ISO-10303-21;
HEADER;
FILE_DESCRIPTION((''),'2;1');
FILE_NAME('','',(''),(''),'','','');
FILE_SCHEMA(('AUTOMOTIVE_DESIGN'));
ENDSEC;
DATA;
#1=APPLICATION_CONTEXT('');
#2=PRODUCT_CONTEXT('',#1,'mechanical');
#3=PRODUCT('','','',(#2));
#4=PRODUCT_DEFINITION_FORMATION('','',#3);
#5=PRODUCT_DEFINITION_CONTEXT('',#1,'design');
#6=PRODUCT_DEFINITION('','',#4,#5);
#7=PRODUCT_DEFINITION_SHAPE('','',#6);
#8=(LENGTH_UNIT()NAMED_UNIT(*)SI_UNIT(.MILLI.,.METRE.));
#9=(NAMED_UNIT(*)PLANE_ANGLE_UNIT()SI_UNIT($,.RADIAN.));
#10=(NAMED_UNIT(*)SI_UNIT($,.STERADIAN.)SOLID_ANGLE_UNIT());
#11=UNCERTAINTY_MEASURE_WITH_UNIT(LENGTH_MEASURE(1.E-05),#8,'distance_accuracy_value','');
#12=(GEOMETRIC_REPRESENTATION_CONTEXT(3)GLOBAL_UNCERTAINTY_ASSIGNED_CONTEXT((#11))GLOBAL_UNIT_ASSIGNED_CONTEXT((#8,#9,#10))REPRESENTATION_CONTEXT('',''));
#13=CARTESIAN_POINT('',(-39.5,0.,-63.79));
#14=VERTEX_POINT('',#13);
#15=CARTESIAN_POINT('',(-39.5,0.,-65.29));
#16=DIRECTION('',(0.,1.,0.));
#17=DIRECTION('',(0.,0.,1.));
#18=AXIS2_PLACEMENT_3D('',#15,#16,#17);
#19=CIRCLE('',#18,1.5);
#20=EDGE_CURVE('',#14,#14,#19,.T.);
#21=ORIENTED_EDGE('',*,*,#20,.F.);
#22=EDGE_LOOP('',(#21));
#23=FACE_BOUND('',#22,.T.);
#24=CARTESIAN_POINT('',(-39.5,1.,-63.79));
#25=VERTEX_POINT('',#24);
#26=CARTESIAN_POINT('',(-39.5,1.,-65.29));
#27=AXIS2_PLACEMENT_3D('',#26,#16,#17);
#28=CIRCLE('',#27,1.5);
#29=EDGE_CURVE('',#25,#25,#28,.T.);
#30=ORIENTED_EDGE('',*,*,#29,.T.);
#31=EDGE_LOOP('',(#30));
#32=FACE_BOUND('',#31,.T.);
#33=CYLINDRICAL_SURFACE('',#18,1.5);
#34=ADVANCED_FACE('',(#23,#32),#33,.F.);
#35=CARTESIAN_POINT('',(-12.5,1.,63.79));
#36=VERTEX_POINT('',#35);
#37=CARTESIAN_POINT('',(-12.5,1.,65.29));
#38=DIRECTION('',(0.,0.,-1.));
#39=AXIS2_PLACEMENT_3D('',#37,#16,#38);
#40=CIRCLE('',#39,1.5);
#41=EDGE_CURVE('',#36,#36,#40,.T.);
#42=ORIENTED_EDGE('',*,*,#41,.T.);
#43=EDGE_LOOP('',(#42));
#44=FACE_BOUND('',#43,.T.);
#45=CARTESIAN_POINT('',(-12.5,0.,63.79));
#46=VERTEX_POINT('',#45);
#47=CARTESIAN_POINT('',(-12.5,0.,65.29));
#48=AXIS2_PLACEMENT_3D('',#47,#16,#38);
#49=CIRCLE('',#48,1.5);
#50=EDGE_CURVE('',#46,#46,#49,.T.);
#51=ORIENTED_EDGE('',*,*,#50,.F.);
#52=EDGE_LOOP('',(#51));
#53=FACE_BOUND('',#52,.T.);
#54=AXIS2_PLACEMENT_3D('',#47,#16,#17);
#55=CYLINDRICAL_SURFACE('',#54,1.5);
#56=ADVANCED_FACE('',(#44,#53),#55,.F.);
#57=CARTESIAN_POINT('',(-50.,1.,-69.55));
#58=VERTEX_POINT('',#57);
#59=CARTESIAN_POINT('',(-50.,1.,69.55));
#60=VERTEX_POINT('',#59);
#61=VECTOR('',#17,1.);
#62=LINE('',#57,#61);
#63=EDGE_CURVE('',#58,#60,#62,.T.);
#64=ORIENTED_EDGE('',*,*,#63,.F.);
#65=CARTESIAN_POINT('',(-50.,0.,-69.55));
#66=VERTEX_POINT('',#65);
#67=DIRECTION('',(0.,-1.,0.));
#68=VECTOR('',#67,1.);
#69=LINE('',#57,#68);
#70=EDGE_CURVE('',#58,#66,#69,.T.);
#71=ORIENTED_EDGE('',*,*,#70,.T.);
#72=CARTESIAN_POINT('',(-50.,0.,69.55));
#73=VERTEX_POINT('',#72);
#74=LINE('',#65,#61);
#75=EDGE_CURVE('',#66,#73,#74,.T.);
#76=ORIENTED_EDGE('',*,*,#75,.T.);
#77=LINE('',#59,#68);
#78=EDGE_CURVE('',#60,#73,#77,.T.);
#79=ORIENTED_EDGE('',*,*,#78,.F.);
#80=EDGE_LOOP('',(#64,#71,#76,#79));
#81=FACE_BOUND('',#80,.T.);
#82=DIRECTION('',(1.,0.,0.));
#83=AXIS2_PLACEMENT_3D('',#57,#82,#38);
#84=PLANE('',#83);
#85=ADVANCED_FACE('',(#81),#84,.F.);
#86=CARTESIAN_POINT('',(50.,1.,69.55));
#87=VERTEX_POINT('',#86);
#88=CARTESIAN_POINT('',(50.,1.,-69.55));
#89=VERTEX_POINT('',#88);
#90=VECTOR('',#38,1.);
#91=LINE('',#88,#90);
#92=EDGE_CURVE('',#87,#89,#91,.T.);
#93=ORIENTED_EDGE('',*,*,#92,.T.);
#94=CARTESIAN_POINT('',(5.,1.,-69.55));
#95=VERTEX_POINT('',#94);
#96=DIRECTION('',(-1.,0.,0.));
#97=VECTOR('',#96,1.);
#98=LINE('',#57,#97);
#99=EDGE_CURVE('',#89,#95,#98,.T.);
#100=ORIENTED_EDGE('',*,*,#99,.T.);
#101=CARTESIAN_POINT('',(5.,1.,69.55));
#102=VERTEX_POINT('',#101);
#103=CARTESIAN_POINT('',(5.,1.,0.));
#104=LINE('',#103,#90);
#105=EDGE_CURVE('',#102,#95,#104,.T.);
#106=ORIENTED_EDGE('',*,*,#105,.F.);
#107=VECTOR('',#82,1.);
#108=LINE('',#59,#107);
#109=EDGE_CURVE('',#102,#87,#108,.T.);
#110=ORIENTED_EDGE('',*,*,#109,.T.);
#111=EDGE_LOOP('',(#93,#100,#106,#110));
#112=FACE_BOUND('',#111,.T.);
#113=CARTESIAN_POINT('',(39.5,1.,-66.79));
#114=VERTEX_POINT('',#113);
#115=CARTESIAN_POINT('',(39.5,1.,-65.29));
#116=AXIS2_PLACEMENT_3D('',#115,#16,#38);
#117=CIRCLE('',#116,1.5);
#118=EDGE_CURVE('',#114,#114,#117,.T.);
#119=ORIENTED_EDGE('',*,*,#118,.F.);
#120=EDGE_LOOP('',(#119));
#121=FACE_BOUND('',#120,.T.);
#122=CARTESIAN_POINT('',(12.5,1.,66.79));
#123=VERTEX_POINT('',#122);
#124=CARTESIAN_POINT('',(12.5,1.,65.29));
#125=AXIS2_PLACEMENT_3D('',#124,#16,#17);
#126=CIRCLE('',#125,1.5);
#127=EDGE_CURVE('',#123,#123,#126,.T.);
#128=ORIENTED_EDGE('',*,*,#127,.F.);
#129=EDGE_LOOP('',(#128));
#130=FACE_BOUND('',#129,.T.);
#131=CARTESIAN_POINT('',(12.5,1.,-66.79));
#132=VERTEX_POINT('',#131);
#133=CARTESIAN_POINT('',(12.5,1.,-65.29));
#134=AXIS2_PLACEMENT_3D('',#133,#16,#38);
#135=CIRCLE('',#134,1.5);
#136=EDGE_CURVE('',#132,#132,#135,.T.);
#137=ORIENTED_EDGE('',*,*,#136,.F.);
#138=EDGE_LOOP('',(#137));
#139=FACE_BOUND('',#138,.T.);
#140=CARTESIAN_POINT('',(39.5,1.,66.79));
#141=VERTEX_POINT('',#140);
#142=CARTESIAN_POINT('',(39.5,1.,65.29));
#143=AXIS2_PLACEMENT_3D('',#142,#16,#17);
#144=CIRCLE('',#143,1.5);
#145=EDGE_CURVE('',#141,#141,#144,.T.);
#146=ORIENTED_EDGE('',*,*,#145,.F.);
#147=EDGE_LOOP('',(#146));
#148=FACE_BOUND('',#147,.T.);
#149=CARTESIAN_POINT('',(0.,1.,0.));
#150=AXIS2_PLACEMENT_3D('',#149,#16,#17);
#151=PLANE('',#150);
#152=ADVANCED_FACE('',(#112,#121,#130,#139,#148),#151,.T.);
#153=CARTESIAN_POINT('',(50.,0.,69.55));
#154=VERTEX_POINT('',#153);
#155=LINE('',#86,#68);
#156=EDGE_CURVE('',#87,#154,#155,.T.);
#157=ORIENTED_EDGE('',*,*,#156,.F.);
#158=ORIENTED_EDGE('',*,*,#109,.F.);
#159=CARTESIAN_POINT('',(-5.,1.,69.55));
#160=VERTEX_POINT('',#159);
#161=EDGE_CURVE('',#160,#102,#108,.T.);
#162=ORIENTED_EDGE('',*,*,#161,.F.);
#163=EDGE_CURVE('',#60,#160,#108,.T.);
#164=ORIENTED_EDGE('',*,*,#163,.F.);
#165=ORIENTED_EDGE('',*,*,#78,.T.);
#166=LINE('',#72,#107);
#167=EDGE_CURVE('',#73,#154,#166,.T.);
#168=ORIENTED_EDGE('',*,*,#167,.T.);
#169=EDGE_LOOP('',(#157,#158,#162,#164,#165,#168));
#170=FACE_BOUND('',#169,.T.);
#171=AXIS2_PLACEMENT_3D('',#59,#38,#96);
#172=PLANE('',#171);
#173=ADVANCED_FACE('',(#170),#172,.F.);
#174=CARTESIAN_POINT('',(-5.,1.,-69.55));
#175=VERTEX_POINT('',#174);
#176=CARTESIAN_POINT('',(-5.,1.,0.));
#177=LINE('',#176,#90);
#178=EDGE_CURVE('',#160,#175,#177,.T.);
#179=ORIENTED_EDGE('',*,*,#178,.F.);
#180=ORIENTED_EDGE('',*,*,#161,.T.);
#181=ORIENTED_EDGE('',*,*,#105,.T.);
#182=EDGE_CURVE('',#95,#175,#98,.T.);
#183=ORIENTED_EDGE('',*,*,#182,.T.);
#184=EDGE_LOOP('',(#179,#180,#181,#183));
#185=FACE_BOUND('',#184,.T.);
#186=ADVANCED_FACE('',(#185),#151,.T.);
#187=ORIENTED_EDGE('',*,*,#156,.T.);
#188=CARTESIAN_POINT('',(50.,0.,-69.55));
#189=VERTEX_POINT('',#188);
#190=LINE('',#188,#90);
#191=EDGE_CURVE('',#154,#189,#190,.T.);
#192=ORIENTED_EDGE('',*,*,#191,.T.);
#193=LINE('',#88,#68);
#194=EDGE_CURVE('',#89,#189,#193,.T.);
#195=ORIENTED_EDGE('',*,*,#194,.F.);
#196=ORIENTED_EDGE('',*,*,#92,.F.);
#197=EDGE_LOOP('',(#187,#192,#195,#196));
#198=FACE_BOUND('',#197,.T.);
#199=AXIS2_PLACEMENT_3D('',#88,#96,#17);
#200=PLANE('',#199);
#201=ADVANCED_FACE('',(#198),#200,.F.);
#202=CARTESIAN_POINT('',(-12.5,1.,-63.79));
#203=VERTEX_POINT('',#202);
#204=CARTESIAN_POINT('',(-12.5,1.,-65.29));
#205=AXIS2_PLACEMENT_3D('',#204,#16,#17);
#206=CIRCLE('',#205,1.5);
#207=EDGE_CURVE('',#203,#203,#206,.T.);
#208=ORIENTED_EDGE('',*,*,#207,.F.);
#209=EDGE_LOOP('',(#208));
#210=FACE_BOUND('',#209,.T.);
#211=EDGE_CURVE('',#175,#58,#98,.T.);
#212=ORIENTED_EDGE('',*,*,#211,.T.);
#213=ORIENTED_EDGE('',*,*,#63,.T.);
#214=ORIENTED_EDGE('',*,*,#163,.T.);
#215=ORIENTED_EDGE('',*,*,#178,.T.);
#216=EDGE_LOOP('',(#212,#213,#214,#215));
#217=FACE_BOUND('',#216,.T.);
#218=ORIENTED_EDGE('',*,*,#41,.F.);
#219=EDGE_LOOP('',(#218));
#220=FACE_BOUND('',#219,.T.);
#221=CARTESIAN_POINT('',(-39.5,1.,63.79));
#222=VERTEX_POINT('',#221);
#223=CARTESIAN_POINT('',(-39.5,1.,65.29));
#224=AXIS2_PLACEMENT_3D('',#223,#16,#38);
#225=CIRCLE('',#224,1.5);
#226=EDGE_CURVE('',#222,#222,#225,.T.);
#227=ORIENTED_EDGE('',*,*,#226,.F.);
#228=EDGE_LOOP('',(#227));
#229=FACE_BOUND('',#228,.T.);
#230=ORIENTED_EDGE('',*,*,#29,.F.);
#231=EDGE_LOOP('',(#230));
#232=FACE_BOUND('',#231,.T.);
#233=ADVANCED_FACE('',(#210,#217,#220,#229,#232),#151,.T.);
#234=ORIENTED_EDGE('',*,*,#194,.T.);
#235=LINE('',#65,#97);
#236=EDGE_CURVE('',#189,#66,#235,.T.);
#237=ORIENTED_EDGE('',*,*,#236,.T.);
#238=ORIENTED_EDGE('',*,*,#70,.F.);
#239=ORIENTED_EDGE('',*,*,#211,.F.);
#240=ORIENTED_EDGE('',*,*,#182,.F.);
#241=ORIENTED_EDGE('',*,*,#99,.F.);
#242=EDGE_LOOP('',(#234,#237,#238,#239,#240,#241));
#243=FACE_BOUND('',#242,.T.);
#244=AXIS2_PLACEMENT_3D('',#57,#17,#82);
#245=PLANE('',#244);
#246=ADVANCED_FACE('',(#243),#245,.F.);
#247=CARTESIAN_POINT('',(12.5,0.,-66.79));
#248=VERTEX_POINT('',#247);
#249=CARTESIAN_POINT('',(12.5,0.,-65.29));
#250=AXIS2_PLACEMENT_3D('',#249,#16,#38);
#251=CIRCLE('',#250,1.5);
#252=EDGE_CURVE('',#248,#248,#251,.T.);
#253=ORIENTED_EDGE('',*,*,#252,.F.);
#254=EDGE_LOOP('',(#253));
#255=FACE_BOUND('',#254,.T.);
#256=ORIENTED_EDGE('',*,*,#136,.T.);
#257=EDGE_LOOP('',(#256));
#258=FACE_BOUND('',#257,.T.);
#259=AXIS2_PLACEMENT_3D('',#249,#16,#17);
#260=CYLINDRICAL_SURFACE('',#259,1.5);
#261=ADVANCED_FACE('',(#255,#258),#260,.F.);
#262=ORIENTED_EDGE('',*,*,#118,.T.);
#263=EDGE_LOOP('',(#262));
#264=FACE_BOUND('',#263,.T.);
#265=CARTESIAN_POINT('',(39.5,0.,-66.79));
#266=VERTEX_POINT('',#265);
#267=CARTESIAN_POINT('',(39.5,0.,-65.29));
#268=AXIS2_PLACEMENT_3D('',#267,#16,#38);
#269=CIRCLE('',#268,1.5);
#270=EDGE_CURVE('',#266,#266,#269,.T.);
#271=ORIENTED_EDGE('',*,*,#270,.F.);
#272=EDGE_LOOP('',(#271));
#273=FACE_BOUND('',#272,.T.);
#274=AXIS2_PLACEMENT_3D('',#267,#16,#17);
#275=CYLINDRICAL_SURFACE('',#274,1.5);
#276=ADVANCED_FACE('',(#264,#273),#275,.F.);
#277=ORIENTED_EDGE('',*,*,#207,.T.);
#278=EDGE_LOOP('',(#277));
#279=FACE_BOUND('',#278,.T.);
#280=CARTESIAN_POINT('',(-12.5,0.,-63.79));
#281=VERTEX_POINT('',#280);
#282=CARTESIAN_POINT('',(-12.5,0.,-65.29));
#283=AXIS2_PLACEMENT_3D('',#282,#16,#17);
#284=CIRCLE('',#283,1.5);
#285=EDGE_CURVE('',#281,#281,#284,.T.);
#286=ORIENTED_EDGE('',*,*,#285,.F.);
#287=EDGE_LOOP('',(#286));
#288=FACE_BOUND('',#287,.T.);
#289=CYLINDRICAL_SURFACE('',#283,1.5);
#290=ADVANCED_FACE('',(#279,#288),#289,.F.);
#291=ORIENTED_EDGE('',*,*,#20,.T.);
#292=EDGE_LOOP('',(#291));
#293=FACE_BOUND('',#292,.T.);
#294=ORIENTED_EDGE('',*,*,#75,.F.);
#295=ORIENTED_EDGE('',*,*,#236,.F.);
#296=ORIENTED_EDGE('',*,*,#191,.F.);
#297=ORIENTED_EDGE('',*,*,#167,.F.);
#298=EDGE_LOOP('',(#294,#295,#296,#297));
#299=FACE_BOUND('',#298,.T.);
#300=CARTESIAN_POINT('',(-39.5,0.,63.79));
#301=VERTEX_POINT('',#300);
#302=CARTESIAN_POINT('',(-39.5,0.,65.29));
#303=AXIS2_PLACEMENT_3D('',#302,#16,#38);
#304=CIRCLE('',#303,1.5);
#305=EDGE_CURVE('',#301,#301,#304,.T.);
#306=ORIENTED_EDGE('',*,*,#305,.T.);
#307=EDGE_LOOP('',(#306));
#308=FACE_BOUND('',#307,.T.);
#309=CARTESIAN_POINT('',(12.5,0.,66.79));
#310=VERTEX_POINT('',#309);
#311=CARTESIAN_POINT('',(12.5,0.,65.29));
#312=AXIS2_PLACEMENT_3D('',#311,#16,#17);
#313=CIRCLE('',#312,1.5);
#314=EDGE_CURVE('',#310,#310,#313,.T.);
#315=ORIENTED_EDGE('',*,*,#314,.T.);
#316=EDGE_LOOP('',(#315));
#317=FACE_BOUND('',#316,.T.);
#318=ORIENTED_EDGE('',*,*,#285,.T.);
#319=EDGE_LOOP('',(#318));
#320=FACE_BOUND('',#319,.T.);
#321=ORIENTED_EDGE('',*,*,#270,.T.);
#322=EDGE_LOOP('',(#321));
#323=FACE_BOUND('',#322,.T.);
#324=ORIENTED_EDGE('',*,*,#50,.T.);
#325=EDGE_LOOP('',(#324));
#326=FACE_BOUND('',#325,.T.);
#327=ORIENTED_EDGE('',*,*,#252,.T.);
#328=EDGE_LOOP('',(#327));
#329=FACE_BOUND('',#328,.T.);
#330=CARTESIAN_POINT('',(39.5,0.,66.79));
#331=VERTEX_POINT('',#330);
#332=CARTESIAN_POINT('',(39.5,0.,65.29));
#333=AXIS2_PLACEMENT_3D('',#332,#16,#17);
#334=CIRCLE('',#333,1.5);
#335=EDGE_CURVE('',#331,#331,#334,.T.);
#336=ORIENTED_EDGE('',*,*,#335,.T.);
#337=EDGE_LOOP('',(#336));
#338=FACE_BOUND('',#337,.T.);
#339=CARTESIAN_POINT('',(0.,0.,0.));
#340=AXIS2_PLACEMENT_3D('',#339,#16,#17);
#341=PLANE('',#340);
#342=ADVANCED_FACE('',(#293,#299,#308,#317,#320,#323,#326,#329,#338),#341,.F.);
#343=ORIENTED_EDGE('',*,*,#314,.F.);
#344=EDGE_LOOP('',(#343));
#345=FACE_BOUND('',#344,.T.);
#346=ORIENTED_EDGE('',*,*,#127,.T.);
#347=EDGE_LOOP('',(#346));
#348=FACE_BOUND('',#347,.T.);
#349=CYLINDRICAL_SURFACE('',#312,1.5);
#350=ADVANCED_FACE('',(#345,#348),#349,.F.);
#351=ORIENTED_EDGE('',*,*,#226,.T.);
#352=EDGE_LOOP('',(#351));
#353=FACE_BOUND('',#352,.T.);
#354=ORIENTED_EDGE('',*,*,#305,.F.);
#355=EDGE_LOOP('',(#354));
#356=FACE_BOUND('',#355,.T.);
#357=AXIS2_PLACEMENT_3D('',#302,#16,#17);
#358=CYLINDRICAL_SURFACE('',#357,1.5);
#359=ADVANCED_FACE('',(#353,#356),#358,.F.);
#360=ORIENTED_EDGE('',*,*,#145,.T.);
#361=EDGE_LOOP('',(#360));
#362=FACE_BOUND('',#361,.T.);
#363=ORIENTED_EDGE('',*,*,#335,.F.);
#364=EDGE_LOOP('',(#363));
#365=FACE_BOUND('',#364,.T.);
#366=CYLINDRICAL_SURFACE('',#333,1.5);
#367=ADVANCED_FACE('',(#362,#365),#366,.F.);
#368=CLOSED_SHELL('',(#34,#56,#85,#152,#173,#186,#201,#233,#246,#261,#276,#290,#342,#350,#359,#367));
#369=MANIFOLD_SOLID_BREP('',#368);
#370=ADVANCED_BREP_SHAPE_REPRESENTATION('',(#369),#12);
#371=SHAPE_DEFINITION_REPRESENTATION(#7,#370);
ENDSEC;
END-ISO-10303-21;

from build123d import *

# Parameters (mm, degrees)
SKETCH_1_W          = 100
SKETCH_1_H          = 139.1
EXTRUDE_1_DEPTH     = 1
SKETCH_2_R          = 1.5
CUT_EXTRUDE_1_DEPTH = 1


with BuildPart() as part:
    # 草圖1 → 填料-伸長1 (new body)
    with BuildSketch(Plane(origin=(0, 0, 0), x_dir=(1, 0, 0), z_dir=(0, 1, 0))):
        Rectangle(SKETCH_1_W, SKETCH_1_H)
    extrude(amount=EXTRUDE_1_DEPTH)

    # 草圖2 → 除料-伸長1 (cut)
    with BuildSketch(Plane(origin=(0, 1, 0), x_dir=(1, 0, 0), z_dir=(0, 1, 0))):
        with Locations(Location((-12.5, 65.29, 0), (0, 0, 270))):
            Circle(SKETCH_2_R)
        with Locations(Location((-39.5, 65.29, 0), (0, 0, 270))):
            Circle(SKETCH_2_R)
        with Locations(Location((39.5, 65.29, 0), (0, 0, 90))):
            Circle(SKETCH_2_R)
        with Locations(Location((12.5, 65.29, 0), (0, 0, 90))):
            Circle(SKETCH_2_R)
        with Locations(Location((39.5, -65.29, 0), (0, 0, 270))):
            Circle(SKETCH_2_R)
        with Locations(Location((12.5, -65.29, 0), (0, 0, 270))):
            Circle(SKETCH_2_R)
        with Locations(Location((-12.5, -65.29, 0), (0, 0, 90))):
            Circle(SKETCH_2_R)
        with Locations(Location((-39.5, -65.29, 0), (0, 0, 90))):
            Circle(SKETCH_2_R)
    extrude(amount=-CUT_EXTRUDE_1_DEPTH, mode=Mode.SUBTRACT)


solid = part.part
